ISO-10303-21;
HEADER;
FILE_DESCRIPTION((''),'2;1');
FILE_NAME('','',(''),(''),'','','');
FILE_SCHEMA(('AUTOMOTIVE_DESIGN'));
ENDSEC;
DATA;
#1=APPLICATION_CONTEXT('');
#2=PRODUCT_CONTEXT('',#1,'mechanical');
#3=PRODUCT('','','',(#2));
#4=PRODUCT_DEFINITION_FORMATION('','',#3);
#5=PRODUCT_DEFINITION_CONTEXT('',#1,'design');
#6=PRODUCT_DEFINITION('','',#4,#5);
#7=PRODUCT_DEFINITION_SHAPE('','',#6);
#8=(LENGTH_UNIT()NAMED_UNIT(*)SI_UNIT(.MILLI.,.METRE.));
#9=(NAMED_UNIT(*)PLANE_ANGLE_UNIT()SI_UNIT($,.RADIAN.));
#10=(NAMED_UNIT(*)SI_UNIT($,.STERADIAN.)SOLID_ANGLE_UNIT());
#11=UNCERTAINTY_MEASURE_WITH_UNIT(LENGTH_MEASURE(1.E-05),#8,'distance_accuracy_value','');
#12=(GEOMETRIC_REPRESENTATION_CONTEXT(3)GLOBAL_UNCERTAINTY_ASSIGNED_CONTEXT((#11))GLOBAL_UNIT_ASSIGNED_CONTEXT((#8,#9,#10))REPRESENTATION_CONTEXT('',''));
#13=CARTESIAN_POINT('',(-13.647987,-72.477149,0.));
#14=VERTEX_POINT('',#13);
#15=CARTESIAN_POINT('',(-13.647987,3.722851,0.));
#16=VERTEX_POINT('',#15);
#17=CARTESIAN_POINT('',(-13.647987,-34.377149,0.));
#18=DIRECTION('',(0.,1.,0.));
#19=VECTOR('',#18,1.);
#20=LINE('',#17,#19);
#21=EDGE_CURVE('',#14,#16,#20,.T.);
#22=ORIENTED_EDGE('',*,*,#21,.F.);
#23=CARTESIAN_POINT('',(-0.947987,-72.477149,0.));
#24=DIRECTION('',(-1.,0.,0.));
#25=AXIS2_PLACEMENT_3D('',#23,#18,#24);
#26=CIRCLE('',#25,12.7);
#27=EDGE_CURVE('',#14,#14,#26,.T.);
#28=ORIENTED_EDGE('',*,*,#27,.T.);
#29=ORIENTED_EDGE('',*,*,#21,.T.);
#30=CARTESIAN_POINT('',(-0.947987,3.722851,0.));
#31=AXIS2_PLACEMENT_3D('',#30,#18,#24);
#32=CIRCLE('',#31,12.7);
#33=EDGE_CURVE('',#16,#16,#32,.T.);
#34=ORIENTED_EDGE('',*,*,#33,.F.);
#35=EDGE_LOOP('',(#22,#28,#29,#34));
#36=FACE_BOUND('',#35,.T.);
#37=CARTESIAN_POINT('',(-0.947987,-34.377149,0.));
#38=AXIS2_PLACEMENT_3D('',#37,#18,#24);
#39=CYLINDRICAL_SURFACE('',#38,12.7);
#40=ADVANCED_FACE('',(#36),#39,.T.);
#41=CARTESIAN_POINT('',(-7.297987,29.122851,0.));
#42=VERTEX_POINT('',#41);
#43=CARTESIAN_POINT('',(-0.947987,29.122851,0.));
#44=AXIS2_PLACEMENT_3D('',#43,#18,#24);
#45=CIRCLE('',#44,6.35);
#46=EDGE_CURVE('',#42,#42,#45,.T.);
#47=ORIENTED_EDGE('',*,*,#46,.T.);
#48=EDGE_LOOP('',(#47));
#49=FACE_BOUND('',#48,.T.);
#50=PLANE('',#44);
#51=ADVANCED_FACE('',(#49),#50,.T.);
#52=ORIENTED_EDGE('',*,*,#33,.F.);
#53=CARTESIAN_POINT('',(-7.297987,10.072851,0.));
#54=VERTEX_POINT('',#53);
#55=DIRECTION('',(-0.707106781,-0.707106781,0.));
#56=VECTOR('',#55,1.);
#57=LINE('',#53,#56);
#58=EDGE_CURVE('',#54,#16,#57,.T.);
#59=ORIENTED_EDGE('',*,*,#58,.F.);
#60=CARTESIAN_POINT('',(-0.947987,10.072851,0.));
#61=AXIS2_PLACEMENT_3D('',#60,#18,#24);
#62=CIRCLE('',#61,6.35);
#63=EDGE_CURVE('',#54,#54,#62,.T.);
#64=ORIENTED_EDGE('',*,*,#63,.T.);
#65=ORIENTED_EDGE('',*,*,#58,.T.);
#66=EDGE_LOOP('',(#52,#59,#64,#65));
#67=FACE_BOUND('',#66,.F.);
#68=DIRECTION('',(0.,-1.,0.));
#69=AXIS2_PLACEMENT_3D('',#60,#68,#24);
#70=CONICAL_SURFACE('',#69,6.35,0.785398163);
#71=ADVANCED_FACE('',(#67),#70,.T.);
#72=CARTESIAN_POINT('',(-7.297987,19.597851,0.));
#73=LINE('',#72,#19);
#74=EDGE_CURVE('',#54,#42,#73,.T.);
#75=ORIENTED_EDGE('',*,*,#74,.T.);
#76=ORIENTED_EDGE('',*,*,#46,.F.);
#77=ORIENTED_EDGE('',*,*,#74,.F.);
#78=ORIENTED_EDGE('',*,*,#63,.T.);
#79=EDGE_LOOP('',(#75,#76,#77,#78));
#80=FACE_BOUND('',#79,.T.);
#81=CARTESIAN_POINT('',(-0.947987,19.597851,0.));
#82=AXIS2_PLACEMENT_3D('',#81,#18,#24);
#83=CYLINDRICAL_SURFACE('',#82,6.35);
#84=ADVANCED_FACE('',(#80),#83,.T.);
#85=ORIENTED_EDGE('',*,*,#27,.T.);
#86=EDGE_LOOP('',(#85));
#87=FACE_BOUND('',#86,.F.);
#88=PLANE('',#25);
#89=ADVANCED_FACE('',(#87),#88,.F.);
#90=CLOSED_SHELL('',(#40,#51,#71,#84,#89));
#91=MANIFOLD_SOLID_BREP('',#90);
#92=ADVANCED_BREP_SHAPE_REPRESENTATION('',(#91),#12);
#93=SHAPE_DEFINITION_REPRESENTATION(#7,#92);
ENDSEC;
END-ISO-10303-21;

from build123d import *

# Parameters (mm, degrees)
F0_W   = 12.7
F0_H   = 76.2
F0_W_2 = 6.35
F0_H_2 = 19.05


with BuildPart() as f1:
    # F0 (on Top) → F1 (revolve)
    with BuildSketch(Plane.XY):
        with Locations((-7.297987, -34.377149)):
            Rectangle(F0_W, F0_H)
    revolve(axis=Axis((-0.947987, -34.377149, 0), (0, 1, 0)))

    # F0 (on Top) → F2 (revolve)
    with BuildSketch(Plane.XY):
        Polygon((-7.297987, 10.072851), (-13.647987, 3.722851), (-0.947987, 3.722851), (-0.947987, 10.072851), align=None)
    revolve(axis=Axis((-0.947987, 16.422851, 0), (0, 1, 0)))

    # F0 (on Top) → F3 (revolve)
    with BuildSketch(Plane.XY):
        with Locations((-4.122987, 19.597851)):
            Rectangle(F0_W_2, F0_H_2)
    revolve(axis=Axis((-0.947987, 16.422851, 0), (0, 1, 0)))


solid = f1.part
